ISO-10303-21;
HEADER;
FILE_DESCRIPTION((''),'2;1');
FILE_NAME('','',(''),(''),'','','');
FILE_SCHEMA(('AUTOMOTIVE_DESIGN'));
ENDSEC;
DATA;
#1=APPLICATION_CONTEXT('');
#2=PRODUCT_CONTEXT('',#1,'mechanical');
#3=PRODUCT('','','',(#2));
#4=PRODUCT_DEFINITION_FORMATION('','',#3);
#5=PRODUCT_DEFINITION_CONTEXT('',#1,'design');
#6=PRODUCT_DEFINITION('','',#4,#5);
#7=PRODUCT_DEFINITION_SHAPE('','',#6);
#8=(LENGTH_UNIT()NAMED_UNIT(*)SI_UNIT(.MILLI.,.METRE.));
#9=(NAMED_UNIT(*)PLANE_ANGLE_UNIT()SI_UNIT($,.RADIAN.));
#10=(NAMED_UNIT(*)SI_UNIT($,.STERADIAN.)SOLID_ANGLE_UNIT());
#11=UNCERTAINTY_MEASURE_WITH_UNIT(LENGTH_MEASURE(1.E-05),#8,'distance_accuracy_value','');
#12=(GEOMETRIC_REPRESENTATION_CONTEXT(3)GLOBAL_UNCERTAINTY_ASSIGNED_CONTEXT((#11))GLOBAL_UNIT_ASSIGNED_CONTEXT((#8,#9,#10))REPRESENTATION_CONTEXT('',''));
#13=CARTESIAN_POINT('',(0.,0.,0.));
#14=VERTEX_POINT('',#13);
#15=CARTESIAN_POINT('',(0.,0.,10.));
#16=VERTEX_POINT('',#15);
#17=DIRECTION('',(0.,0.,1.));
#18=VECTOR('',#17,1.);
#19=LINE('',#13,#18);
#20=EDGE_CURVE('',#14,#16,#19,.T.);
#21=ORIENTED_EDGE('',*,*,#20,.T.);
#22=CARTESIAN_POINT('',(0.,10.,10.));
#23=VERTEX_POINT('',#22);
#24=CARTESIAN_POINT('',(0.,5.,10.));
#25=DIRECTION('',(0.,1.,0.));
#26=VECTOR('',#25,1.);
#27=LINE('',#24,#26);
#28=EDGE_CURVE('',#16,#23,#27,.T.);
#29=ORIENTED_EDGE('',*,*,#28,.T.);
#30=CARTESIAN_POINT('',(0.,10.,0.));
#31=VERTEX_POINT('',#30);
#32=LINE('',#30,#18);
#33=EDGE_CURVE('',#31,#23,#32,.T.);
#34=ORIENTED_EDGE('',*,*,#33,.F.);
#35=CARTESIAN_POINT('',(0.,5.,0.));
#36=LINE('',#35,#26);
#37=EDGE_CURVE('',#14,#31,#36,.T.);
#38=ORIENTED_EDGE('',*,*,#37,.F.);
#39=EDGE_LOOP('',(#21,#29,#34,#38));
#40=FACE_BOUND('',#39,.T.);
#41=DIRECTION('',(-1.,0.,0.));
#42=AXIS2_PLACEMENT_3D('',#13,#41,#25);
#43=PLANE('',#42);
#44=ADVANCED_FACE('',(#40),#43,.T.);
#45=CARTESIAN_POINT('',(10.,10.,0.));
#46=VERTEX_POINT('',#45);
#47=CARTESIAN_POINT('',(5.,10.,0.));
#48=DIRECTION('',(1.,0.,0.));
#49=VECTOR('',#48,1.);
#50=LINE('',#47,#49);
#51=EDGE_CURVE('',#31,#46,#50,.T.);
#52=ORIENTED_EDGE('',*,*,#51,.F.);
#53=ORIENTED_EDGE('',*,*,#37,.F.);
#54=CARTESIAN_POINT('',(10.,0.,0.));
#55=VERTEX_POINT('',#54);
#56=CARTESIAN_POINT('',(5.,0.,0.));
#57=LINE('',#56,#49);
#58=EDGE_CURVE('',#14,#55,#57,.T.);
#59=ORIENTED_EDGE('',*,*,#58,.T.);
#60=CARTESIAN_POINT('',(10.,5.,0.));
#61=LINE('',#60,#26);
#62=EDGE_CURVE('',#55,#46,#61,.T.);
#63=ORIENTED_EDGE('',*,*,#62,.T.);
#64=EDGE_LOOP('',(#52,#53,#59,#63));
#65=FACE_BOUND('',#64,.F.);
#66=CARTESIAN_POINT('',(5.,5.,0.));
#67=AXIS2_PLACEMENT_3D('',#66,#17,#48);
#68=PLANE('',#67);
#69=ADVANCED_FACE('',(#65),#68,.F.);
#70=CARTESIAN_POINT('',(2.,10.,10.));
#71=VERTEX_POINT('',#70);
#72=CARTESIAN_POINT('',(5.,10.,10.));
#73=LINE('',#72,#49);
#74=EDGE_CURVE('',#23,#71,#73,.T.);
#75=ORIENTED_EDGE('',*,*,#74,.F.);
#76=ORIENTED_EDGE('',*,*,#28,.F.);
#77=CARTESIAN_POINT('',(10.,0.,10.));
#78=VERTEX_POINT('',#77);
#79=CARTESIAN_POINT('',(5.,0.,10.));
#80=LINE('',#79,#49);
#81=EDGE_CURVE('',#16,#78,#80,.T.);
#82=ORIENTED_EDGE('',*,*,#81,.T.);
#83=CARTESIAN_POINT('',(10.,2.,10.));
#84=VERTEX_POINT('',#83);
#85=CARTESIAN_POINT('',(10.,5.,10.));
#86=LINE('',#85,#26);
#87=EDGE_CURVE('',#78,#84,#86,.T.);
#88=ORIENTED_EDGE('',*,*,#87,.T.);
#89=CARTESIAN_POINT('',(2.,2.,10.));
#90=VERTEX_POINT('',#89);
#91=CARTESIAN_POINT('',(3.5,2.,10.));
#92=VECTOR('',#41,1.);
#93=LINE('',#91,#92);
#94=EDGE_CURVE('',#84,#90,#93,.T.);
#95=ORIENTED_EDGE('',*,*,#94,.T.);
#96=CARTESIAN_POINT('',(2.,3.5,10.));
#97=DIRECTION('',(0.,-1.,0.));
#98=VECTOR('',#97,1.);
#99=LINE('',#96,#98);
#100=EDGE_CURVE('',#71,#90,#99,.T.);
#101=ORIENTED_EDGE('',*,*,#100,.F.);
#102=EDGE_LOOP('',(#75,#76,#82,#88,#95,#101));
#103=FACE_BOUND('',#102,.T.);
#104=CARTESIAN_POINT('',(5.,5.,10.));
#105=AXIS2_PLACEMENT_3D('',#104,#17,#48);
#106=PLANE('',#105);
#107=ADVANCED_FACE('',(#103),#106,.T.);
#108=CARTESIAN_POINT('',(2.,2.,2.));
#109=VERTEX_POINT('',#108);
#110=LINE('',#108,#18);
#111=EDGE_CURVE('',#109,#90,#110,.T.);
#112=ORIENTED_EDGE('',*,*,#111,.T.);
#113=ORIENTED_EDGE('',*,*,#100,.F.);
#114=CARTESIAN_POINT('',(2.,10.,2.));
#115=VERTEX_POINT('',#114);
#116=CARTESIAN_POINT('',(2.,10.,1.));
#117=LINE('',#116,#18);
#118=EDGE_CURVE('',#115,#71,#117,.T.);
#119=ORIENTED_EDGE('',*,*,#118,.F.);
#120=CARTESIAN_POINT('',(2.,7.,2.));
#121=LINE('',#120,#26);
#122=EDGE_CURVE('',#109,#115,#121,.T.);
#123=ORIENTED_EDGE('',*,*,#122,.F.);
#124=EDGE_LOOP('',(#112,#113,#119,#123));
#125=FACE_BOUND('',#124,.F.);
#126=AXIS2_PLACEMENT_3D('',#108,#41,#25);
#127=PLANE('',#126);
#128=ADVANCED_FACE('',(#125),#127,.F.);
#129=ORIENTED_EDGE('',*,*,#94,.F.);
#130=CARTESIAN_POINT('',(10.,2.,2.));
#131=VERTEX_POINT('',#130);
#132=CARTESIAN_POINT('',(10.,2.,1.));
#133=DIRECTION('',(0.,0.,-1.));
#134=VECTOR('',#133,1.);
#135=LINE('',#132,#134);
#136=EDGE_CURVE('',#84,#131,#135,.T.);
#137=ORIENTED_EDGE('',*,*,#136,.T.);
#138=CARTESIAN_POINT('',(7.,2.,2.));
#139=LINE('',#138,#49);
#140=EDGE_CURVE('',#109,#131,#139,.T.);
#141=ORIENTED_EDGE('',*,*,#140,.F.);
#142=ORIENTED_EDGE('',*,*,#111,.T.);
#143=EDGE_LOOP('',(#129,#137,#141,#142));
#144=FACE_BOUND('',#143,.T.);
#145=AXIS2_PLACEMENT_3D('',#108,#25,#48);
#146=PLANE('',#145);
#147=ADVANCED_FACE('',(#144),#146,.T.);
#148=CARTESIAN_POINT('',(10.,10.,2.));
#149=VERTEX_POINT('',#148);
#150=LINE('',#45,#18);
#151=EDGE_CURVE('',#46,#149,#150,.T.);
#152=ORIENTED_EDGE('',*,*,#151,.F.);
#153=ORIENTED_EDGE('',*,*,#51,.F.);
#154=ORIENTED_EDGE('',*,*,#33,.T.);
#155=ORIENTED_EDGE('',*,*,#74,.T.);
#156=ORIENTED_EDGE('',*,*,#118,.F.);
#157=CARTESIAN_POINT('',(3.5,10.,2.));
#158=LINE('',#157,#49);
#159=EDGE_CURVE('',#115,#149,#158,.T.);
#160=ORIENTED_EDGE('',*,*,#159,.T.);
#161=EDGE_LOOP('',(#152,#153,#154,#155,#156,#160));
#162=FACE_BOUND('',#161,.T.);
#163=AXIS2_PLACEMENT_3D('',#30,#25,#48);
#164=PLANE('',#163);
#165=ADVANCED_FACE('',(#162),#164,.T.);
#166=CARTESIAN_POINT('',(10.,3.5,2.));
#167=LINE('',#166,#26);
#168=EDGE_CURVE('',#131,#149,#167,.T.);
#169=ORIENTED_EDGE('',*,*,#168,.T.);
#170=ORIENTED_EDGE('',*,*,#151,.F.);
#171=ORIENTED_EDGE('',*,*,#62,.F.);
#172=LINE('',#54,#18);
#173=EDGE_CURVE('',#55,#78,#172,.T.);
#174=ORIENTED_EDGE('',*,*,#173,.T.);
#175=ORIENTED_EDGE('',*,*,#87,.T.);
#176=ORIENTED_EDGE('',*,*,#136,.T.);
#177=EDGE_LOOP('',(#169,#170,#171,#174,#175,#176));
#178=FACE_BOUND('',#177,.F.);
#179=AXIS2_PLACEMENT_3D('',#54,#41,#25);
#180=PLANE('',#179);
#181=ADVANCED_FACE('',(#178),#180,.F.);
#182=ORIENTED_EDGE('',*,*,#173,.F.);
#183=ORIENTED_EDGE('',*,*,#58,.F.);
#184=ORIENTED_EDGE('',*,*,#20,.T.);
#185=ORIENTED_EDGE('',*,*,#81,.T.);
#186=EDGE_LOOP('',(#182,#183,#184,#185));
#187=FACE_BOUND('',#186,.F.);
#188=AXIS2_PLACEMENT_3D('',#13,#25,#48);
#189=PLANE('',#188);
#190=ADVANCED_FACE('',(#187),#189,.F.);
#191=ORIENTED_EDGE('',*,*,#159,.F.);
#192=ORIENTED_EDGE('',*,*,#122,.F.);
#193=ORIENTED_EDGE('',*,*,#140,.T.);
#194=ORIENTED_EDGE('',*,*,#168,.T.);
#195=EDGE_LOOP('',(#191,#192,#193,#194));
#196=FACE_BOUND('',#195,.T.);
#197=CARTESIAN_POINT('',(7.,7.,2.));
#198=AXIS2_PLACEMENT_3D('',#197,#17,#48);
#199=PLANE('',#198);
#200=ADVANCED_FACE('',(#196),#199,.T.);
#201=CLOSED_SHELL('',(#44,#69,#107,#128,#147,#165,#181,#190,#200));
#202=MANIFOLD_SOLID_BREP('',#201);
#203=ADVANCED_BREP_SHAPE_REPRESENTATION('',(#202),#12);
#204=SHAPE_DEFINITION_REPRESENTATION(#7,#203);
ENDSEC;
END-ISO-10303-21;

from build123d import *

# Parameters (mm, degrees)
BOX001_W     = 10
BOX001_H     = 10
BOX001_DEPTH = 10
BOX_W        = 10
BOX_H        = 10
BOX_DEPTH    = 10


with BuildPart() as cub001:
    # Box001 → Box001 (new body)
    with BuildSketch(Plane(origin=(2, 2, 2), x_dir=(1, 0, 0), z_dir=(0, 0, 1))):
        with Locations((5, 5)):
            Rectangle(BOX001_W, BOX001_H)
    extrude(amount=BOX001_DEPTH)


with BuildPart() as cut:
    # Box → Box (new body)
    with BuildSketch(Plane.XY):
        with Locations((5, 5)):
            Rectangle(BOX_W, BOX_H)
    extrude(amount=BOX_DEPTH)

    # Cut: cut Cub001
    add(cub001.part, mode=Mode.SUBTRACT)


solid = cut.part
